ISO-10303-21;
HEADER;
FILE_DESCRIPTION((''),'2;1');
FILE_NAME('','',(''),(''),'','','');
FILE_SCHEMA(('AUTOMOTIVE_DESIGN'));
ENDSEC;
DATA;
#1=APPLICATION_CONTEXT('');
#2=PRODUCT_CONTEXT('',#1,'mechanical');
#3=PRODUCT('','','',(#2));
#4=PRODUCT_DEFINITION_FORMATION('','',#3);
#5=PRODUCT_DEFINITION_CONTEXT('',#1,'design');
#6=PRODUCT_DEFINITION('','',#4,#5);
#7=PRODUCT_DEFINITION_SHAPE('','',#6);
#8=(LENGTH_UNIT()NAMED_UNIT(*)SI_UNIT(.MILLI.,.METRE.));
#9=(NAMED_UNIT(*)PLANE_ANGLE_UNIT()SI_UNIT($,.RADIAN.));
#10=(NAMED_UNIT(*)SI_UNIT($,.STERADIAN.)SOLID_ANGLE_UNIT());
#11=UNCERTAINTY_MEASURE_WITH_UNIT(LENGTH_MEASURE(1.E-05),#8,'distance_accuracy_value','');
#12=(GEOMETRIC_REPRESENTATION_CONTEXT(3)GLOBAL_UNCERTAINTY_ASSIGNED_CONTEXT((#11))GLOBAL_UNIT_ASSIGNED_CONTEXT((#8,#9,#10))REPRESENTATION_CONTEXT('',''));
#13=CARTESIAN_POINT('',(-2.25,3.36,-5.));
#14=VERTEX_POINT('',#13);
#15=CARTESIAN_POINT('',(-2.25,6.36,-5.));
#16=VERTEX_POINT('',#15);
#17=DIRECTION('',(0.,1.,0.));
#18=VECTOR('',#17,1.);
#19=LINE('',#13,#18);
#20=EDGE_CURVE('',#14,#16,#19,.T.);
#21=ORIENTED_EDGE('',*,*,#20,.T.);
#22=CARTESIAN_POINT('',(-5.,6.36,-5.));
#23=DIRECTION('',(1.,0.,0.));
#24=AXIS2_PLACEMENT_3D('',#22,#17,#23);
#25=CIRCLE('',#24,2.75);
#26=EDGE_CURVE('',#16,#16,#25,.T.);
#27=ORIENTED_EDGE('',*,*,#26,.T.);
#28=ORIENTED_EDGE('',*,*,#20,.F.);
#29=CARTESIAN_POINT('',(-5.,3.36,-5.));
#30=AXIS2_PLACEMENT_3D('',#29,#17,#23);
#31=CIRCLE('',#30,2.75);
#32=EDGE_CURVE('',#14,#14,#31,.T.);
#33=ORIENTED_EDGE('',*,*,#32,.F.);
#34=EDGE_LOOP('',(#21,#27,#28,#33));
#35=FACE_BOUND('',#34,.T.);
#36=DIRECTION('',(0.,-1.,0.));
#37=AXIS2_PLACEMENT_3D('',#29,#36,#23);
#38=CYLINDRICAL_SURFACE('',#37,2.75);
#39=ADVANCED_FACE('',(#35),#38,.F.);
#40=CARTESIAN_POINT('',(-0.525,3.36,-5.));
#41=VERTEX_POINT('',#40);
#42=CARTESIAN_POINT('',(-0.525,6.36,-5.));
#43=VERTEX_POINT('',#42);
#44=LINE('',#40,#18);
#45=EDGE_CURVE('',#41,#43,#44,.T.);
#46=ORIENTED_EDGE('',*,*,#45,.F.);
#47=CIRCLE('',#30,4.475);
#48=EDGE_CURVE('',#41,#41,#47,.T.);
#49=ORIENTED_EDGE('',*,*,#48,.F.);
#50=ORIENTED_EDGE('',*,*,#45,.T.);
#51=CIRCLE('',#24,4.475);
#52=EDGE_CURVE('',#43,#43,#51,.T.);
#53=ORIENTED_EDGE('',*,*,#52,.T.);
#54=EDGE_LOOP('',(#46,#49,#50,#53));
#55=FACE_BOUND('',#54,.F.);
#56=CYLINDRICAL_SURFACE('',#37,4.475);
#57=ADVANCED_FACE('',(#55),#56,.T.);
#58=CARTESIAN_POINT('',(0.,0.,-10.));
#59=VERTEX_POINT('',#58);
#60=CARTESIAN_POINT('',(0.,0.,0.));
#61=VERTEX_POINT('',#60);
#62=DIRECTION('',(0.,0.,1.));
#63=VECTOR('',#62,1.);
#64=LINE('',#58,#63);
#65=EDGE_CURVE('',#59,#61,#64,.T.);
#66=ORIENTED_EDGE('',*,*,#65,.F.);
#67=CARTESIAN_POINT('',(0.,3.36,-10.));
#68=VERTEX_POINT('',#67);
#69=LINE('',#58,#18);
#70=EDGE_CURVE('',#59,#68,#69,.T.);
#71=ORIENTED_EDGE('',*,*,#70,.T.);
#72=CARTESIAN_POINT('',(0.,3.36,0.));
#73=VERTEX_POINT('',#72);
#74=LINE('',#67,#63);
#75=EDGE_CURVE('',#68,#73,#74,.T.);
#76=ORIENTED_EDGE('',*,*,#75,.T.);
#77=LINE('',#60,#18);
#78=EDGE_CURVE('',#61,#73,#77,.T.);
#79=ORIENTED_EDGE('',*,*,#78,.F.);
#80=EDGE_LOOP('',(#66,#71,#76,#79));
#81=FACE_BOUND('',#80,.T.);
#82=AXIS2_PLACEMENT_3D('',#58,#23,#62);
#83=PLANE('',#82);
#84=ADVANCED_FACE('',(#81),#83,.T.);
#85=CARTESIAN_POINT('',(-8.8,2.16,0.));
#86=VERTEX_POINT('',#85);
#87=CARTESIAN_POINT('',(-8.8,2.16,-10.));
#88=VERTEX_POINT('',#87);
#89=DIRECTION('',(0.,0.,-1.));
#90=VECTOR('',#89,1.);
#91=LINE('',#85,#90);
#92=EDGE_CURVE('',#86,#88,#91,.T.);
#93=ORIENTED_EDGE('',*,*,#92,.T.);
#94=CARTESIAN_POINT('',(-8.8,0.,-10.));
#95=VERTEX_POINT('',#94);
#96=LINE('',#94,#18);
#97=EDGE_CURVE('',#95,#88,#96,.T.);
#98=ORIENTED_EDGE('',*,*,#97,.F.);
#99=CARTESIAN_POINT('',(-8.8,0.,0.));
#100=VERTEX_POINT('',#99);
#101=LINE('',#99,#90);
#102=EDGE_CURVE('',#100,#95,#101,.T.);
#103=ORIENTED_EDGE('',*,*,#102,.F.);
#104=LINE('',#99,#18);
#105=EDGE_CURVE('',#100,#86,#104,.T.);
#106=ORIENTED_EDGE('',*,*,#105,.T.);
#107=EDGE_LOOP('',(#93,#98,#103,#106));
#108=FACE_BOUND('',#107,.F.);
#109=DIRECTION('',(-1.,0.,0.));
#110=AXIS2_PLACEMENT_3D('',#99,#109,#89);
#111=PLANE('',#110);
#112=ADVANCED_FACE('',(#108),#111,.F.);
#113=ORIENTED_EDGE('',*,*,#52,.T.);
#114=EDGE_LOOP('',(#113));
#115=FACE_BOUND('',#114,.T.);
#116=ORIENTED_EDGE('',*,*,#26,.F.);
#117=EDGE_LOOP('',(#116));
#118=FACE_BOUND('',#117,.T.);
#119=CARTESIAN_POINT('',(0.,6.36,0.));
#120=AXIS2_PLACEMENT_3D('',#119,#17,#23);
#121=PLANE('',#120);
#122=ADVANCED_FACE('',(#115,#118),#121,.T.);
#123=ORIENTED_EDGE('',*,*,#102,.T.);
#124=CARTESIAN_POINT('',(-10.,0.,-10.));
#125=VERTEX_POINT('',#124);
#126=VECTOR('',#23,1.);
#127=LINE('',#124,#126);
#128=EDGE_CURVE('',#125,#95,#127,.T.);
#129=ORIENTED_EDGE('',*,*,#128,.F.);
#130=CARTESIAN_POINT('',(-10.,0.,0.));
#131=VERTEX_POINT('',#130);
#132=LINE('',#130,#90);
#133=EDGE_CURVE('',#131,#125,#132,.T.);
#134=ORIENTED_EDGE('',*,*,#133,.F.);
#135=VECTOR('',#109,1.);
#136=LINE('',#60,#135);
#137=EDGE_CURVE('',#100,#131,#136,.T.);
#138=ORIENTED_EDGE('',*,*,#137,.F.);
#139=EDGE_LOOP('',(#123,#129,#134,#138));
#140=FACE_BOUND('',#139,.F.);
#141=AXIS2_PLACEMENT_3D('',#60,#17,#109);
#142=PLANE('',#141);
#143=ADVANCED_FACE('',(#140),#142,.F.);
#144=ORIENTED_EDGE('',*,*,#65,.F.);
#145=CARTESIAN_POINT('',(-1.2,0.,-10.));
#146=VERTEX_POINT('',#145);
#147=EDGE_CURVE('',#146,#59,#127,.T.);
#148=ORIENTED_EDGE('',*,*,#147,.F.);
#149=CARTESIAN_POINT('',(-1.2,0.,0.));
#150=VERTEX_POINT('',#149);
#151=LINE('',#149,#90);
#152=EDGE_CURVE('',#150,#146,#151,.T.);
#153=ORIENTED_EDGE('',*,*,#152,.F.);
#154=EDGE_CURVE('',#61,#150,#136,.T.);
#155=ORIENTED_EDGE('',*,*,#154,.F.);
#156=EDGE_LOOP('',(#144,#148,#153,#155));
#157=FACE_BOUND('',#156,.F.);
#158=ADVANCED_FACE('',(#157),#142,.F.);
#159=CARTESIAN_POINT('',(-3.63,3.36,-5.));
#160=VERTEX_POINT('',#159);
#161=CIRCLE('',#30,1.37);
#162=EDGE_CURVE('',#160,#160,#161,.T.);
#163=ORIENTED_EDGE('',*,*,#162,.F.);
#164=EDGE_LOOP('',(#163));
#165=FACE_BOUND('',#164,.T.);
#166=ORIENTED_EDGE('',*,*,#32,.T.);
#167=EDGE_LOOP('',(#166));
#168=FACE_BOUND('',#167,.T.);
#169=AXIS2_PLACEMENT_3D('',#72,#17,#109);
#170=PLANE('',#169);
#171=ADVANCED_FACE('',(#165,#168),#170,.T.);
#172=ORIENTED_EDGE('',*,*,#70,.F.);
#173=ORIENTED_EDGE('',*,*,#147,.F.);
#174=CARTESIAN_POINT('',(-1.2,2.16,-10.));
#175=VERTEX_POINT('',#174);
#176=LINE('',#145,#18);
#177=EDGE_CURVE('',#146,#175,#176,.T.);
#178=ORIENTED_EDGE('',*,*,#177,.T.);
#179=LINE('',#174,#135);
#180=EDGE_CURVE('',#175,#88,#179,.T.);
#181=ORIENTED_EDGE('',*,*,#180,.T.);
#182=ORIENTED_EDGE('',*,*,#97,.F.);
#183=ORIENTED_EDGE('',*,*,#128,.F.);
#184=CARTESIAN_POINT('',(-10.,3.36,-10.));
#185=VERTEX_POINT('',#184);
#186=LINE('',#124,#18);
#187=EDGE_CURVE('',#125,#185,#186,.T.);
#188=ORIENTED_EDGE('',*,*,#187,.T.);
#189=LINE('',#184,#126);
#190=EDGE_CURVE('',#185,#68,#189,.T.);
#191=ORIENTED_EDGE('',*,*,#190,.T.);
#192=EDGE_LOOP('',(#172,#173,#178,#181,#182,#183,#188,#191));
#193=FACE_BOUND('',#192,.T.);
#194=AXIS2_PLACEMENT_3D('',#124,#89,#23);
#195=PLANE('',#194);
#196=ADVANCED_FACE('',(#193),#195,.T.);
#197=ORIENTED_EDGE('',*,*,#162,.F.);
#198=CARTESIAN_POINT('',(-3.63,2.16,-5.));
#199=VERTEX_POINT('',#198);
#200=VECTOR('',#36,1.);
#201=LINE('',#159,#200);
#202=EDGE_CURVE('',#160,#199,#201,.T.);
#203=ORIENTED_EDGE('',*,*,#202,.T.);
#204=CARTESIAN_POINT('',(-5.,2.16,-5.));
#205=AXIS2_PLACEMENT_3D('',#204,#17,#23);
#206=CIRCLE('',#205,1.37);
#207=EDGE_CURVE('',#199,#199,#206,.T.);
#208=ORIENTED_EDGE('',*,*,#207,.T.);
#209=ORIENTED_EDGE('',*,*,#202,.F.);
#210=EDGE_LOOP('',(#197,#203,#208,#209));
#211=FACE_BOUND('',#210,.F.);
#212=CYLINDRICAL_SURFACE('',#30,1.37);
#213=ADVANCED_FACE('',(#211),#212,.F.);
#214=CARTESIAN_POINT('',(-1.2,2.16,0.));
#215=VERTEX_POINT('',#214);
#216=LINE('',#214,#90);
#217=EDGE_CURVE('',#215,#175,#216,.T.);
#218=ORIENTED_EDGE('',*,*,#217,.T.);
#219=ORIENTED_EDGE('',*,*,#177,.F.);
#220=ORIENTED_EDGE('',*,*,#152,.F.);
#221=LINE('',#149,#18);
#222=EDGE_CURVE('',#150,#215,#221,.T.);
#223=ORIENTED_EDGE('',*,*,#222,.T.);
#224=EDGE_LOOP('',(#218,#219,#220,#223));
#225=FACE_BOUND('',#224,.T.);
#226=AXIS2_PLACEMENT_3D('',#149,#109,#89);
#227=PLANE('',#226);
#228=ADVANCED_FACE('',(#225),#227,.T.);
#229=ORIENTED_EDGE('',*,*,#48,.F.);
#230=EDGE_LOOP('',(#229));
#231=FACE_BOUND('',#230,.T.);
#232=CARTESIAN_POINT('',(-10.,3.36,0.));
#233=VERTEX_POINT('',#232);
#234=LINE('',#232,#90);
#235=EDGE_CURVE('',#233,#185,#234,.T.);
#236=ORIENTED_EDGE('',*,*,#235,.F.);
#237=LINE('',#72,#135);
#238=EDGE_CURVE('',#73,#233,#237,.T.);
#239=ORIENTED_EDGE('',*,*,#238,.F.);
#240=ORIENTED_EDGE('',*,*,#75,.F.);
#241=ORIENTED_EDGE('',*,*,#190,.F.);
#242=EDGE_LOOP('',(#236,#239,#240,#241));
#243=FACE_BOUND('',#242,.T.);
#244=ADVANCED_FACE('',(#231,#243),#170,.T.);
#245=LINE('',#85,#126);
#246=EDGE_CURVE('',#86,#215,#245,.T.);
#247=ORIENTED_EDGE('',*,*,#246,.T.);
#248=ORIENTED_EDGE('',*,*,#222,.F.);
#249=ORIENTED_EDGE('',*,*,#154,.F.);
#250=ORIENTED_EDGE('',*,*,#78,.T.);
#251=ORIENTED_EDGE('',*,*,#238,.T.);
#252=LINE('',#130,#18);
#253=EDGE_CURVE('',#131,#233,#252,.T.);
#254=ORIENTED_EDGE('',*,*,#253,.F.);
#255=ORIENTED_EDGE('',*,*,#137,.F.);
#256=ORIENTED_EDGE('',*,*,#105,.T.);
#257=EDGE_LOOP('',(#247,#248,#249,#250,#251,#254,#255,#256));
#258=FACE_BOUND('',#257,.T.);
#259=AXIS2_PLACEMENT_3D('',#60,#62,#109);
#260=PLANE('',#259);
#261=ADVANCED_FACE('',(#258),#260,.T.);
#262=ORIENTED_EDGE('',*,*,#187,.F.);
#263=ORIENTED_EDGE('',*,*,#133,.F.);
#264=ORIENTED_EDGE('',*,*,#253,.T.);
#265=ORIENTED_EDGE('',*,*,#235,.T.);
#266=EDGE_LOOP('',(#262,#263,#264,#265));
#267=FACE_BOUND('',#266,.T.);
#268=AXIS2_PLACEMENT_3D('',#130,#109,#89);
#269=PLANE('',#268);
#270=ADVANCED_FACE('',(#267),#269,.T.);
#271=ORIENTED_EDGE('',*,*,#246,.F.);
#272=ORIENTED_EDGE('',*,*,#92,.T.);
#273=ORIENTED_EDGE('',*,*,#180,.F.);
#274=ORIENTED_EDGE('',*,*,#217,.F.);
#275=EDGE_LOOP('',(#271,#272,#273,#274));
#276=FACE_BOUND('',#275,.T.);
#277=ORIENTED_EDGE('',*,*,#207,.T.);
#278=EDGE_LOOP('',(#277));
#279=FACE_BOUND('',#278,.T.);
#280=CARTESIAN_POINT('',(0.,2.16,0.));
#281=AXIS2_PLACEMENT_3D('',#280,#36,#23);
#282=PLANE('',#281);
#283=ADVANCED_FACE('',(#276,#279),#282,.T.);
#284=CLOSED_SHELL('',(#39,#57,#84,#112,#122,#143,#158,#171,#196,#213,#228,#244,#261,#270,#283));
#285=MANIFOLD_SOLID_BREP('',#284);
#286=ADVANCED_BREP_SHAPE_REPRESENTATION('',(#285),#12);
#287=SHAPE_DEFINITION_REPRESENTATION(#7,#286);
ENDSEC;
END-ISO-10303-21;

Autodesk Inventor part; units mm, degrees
ref_plane "YZ Plane" through (0, 0, 0) normal (1, 0, 0) x (0, 1, 0)
ref_plane "XZ Plane" through (0, 0, 0) normal (0, 1, 0) x (-1, 0, 0)
ref_plane "XY Plane" through (0, 0, 0) normal (0, 0, 1) x (1, 0, 0)
sketch "Sketch1" plane through (0, 0, 0) normal (0, 1, 0) x (-1, 0, 0)
  line L0 (0, 0) -> (10, 0)
  line L1 (10, 0) -> (10, -10)
  line L2 (10, -10) -> (0, -10)
  line L3 (0, -10) -> (0, 0)
  dimension "d0" = 10
  dimension "d1" = 10
extrude "Extrusion1" add sketch "Sketch1" along normal blind 3.36
sketch "Sketch2" plane through (0, 3.36, 0) normal (0, 1, 0) x (1, 0, 0)
  line L0 (-10, 10) -> (-10, 0) projected
  circle A0 centre (-5, 5) radius 1.37
  point P0 (0, 0)
  dimension "d4" = 2.74
extrude "Extrusion2" cut sketch "Sketch2" against normal blind 3.36
sketch "Sketch3" plane through (0, 3.36, 0) normal (0, 1, 0) x (1, 0, 0)
  line L0 (-10, 10) -> (-10, 0) projected
  circle A0 centre (-5, 5) radius 2.75
  circle A1 centre (-5, 5) radius 4.475
  point P0 (0, 0)
  dimension "d7" = 5.5
  dimension "d8" = 8.95
extrude "Extrusion3" add sketch "Sketch3" along normal blind 3
sketch "Sketch4" plane through (0, 0, 0) normal (0, -1, 0) x (1, 0, 0)
  line L0 (-1.2, 0) -> (-1.2, -10)
  line L1 (-8.8, 0) -> (-8.8, -10)
  line L2 (-1.2, -10) -> (-8.8, -10)
  line L3 (0, -10) -> (-10, -10) projected
  line L4 (-8.8, 0) -> (-1.2, 0)
  line L5 (-10, 0) -> (0, 0) projected
  dimension "d11" = 1.2
extrude "Extrusion4" cut sketch "Sketch4" against normal blind 2.16
properties part number "MMAE 232 Assignment 2_Servo Horn 2 - Dylan Tamras"
